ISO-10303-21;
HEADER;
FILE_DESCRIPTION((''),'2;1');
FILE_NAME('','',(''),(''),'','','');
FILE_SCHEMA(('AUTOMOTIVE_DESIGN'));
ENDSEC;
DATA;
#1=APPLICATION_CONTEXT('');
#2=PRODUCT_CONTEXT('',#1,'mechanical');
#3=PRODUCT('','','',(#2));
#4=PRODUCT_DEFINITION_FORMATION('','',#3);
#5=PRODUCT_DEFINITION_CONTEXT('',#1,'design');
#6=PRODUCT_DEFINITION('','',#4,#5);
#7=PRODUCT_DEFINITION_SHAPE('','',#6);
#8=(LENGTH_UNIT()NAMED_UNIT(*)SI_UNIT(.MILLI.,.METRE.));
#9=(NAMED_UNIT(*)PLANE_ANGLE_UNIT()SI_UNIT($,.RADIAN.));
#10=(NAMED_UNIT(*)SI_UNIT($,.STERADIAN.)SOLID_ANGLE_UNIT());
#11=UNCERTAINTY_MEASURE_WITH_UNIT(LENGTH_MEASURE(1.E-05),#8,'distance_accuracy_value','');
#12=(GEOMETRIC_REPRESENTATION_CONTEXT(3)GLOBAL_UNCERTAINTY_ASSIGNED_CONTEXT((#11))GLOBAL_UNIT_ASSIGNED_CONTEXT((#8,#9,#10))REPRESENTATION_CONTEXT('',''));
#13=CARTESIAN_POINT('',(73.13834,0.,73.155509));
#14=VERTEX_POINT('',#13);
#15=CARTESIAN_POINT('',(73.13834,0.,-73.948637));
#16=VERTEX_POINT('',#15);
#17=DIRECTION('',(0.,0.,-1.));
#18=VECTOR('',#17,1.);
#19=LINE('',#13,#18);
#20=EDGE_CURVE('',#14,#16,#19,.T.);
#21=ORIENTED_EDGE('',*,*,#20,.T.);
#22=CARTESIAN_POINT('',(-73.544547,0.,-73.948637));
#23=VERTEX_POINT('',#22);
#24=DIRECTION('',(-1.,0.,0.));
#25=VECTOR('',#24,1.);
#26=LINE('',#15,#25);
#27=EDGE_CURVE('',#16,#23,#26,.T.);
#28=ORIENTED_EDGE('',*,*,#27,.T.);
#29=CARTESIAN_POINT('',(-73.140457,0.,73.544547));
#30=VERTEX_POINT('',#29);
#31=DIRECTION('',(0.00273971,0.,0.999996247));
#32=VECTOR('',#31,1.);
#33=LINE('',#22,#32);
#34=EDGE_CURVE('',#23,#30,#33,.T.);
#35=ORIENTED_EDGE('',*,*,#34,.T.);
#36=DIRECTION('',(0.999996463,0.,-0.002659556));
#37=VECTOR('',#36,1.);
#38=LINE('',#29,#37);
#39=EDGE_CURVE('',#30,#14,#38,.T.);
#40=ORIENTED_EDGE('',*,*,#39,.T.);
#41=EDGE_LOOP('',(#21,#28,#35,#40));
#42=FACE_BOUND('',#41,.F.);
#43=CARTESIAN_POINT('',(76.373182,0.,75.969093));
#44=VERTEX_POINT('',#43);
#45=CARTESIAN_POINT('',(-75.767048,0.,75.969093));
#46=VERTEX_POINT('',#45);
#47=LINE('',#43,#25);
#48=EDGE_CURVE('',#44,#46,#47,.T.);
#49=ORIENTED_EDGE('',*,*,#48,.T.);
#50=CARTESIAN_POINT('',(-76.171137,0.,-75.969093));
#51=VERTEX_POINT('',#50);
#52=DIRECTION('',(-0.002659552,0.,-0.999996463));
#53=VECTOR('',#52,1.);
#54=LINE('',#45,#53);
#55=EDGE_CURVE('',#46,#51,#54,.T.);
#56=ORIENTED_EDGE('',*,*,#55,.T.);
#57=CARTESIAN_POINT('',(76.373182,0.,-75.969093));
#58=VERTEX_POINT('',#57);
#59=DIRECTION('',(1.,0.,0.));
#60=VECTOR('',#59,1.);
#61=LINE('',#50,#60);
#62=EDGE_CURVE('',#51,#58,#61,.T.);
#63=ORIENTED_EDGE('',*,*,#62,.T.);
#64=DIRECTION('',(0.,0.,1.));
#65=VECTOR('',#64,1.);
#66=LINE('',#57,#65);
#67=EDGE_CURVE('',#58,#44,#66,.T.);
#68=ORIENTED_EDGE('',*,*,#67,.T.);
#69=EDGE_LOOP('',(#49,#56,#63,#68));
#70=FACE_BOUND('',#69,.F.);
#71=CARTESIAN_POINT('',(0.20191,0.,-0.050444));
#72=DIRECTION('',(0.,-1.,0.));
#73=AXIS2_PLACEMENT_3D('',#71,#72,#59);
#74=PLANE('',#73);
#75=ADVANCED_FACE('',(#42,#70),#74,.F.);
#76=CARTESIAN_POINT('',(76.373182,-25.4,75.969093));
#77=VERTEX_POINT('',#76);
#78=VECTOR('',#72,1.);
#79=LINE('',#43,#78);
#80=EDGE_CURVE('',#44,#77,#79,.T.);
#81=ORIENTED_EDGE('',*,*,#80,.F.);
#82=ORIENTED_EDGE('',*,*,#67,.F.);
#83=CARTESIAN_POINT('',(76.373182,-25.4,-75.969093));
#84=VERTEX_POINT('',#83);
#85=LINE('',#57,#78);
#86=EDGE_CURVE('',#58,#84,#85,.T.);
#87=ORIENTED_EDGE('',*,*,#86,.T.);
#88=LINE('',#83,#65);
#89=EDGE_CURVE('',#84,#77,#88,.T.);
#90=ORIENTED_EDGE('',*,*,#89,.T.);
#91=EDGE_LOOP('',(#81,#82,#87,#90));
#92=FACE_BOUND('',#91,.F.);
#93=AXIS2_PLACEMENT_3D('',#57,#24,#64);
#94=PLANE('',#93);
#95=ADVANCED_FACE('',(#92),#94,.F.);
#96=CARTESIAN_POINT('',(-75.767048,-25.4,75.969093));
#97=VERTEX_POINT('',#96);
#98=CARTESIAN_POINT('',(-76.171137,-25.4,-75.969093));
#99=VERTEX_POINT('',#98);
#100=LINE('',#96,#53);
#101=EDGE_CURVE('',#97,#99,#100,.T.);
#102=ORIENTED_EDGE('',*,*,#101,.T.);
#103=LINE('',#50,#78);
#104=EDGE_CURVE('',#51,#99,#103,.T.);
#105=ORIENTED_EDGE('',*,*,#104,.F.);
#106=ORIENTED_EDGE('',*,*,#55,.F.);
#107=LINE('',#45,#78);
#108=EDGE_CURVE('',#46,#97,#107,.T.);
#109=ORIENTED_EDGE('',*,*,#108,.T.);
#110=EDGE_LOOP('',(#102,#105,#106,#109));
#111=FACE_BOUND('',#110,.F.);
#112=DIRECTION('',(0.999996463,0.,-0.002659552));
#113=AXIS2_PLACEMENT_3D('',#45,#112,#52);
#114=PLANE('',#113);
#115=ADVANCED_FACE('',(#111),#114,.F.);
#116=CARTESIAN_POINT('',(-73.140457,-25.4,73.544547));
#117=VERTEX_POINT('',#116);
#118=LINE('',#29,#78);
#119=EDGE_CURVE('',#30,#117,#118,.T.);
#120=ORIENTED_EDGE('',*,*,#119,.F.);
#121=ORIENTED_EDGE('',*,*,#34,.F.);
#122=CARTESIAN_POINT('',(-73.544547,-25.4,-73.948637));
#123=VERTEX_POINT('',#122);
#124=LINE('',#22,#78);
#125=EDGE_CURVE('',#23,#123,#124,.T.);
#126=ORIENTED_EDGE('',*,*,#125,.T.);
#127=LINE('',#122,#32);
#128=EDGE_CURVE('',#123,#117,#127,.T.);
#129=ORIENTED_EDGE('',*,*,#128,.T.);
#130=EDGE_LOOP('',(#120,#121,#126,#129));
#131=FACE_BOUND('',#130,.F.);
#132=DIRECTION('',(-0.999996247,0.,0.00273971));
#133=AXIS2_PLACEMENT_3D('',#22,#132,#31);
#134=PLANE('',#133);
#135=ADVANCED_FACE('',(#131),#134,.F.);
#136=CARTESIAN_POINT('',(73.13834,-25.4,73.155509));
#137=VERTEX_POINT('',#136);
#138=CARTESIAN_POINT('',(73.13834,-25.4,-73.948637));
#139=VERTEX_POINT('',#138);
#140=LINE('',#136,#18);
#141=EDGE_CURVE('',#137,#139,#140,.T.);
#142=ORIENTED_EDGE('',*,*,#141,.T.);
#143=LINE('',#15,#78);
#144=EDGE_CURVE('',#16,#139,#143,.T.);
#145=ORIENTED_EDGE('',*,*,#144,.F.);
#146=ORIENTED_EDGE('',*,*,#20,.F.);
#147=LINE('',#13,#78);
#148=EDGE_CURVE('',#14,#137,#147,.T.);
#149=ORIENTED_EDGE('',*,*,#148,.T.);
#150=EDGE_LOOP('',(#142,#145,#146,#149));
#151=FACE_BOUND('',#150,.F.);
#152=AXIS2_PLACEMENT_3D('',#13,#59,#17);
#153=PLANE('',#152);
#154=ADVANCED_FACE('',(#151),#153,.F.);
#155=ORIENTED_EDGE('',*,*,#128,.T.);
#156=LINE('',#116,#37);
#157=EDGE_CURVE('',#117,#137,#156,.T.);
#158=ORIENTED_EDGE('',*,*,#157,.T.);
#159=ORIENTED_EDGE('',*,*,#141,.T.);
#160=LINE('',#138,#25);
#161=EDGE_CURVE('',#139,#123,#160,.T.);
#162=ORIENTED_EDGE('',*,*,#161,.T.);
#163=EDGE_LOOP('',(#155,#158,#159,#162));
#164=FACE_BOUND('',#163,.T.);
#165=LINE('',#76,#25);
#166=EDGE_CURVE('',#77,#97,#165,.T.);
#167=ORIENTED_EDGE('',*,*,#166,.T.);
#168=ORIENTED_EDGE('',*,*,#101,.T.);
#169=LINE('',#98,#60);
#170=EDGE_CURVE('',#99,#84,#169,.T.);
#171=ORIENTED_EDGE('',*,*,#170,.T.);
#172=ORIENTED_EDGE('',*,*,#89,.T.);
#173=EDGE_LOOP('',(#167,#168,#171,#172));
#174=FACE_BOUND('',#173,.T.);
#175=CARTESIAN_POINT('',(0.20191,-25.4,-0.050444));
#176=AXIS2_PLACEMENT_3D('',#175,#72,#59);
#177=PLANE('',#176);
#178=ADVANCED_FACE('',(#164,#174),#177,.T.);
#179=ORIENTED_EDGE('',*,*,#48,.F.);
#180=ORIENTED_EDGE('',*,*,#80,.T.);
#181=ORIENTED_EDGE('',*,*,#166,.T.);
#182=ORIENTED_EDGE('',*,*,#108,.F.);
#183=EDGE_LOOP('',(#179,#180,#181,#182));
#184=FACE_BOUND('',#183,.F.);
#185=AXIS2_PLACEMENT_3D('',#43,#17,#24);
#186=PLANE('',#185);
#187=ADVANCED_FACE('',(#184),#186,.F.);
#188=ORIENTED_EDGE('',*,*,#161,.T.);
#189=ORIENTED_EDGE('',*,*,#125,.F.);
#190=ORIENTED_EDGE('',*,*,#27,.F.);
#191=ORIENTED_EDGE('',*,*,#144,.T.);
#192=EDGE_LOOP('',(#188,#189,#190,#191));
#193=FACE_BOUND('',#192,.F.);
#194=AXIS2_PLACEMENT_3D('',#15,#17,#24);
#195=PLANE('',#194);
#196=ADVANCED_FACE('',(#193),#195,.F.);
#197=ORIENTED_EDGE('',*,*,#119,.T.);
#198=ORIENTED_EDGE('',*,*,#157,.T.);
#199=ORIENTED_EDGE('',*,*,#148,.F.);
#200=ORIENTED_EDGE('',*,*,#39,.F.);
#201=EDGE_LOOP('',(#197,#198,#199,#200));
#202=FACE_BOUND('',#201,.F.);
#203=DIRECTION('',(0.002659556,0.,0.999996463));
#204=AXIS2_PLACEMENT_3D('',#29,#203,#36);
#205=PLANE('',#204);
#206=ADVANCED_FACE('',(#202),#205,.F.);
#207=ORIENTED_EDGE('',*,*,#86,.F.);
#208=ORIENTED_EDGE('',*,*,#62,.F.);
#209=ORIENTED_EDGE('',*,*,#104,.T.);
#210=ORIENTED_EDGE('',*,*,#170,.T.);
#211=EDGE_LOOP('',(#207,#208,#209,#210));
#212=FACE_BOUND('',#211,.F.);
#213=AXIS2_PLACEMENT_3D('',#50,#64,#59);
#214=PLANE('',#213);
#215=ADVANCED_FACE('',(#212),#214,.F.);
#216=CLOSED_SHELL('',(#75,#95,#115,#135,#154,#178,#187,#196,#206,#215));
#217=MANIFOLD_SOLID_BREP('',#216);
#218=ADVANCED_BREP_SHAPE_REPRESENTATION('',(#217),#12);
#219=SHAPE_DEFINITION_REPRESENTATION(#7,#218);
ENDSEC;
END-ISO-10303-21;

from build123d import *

# Parameters (mm, degrees)
F1_DEPTH = 25.4


with BuildPart() as f1:
    # F0 (on Front) → F1 (new body)
    with BuildSketch(Plane.XZ):
        Polygon((76.373182, 75.969093), (-75.767048, 75.969093), (-76.171137, -75.969093), (76.373182, -75.969093), align=None)
        Polygon((-73.544547, -73.948637), (-73.140457, 73.544547), (73.13834, 73.155509), (73.13834, -49.097046), (73.13834, -71.322046), (73.13834, -73.948637), align=None, mode=Mode.SUBTRACT)
    extrude(amount=F1_DEPTH)


solid = f1.part
